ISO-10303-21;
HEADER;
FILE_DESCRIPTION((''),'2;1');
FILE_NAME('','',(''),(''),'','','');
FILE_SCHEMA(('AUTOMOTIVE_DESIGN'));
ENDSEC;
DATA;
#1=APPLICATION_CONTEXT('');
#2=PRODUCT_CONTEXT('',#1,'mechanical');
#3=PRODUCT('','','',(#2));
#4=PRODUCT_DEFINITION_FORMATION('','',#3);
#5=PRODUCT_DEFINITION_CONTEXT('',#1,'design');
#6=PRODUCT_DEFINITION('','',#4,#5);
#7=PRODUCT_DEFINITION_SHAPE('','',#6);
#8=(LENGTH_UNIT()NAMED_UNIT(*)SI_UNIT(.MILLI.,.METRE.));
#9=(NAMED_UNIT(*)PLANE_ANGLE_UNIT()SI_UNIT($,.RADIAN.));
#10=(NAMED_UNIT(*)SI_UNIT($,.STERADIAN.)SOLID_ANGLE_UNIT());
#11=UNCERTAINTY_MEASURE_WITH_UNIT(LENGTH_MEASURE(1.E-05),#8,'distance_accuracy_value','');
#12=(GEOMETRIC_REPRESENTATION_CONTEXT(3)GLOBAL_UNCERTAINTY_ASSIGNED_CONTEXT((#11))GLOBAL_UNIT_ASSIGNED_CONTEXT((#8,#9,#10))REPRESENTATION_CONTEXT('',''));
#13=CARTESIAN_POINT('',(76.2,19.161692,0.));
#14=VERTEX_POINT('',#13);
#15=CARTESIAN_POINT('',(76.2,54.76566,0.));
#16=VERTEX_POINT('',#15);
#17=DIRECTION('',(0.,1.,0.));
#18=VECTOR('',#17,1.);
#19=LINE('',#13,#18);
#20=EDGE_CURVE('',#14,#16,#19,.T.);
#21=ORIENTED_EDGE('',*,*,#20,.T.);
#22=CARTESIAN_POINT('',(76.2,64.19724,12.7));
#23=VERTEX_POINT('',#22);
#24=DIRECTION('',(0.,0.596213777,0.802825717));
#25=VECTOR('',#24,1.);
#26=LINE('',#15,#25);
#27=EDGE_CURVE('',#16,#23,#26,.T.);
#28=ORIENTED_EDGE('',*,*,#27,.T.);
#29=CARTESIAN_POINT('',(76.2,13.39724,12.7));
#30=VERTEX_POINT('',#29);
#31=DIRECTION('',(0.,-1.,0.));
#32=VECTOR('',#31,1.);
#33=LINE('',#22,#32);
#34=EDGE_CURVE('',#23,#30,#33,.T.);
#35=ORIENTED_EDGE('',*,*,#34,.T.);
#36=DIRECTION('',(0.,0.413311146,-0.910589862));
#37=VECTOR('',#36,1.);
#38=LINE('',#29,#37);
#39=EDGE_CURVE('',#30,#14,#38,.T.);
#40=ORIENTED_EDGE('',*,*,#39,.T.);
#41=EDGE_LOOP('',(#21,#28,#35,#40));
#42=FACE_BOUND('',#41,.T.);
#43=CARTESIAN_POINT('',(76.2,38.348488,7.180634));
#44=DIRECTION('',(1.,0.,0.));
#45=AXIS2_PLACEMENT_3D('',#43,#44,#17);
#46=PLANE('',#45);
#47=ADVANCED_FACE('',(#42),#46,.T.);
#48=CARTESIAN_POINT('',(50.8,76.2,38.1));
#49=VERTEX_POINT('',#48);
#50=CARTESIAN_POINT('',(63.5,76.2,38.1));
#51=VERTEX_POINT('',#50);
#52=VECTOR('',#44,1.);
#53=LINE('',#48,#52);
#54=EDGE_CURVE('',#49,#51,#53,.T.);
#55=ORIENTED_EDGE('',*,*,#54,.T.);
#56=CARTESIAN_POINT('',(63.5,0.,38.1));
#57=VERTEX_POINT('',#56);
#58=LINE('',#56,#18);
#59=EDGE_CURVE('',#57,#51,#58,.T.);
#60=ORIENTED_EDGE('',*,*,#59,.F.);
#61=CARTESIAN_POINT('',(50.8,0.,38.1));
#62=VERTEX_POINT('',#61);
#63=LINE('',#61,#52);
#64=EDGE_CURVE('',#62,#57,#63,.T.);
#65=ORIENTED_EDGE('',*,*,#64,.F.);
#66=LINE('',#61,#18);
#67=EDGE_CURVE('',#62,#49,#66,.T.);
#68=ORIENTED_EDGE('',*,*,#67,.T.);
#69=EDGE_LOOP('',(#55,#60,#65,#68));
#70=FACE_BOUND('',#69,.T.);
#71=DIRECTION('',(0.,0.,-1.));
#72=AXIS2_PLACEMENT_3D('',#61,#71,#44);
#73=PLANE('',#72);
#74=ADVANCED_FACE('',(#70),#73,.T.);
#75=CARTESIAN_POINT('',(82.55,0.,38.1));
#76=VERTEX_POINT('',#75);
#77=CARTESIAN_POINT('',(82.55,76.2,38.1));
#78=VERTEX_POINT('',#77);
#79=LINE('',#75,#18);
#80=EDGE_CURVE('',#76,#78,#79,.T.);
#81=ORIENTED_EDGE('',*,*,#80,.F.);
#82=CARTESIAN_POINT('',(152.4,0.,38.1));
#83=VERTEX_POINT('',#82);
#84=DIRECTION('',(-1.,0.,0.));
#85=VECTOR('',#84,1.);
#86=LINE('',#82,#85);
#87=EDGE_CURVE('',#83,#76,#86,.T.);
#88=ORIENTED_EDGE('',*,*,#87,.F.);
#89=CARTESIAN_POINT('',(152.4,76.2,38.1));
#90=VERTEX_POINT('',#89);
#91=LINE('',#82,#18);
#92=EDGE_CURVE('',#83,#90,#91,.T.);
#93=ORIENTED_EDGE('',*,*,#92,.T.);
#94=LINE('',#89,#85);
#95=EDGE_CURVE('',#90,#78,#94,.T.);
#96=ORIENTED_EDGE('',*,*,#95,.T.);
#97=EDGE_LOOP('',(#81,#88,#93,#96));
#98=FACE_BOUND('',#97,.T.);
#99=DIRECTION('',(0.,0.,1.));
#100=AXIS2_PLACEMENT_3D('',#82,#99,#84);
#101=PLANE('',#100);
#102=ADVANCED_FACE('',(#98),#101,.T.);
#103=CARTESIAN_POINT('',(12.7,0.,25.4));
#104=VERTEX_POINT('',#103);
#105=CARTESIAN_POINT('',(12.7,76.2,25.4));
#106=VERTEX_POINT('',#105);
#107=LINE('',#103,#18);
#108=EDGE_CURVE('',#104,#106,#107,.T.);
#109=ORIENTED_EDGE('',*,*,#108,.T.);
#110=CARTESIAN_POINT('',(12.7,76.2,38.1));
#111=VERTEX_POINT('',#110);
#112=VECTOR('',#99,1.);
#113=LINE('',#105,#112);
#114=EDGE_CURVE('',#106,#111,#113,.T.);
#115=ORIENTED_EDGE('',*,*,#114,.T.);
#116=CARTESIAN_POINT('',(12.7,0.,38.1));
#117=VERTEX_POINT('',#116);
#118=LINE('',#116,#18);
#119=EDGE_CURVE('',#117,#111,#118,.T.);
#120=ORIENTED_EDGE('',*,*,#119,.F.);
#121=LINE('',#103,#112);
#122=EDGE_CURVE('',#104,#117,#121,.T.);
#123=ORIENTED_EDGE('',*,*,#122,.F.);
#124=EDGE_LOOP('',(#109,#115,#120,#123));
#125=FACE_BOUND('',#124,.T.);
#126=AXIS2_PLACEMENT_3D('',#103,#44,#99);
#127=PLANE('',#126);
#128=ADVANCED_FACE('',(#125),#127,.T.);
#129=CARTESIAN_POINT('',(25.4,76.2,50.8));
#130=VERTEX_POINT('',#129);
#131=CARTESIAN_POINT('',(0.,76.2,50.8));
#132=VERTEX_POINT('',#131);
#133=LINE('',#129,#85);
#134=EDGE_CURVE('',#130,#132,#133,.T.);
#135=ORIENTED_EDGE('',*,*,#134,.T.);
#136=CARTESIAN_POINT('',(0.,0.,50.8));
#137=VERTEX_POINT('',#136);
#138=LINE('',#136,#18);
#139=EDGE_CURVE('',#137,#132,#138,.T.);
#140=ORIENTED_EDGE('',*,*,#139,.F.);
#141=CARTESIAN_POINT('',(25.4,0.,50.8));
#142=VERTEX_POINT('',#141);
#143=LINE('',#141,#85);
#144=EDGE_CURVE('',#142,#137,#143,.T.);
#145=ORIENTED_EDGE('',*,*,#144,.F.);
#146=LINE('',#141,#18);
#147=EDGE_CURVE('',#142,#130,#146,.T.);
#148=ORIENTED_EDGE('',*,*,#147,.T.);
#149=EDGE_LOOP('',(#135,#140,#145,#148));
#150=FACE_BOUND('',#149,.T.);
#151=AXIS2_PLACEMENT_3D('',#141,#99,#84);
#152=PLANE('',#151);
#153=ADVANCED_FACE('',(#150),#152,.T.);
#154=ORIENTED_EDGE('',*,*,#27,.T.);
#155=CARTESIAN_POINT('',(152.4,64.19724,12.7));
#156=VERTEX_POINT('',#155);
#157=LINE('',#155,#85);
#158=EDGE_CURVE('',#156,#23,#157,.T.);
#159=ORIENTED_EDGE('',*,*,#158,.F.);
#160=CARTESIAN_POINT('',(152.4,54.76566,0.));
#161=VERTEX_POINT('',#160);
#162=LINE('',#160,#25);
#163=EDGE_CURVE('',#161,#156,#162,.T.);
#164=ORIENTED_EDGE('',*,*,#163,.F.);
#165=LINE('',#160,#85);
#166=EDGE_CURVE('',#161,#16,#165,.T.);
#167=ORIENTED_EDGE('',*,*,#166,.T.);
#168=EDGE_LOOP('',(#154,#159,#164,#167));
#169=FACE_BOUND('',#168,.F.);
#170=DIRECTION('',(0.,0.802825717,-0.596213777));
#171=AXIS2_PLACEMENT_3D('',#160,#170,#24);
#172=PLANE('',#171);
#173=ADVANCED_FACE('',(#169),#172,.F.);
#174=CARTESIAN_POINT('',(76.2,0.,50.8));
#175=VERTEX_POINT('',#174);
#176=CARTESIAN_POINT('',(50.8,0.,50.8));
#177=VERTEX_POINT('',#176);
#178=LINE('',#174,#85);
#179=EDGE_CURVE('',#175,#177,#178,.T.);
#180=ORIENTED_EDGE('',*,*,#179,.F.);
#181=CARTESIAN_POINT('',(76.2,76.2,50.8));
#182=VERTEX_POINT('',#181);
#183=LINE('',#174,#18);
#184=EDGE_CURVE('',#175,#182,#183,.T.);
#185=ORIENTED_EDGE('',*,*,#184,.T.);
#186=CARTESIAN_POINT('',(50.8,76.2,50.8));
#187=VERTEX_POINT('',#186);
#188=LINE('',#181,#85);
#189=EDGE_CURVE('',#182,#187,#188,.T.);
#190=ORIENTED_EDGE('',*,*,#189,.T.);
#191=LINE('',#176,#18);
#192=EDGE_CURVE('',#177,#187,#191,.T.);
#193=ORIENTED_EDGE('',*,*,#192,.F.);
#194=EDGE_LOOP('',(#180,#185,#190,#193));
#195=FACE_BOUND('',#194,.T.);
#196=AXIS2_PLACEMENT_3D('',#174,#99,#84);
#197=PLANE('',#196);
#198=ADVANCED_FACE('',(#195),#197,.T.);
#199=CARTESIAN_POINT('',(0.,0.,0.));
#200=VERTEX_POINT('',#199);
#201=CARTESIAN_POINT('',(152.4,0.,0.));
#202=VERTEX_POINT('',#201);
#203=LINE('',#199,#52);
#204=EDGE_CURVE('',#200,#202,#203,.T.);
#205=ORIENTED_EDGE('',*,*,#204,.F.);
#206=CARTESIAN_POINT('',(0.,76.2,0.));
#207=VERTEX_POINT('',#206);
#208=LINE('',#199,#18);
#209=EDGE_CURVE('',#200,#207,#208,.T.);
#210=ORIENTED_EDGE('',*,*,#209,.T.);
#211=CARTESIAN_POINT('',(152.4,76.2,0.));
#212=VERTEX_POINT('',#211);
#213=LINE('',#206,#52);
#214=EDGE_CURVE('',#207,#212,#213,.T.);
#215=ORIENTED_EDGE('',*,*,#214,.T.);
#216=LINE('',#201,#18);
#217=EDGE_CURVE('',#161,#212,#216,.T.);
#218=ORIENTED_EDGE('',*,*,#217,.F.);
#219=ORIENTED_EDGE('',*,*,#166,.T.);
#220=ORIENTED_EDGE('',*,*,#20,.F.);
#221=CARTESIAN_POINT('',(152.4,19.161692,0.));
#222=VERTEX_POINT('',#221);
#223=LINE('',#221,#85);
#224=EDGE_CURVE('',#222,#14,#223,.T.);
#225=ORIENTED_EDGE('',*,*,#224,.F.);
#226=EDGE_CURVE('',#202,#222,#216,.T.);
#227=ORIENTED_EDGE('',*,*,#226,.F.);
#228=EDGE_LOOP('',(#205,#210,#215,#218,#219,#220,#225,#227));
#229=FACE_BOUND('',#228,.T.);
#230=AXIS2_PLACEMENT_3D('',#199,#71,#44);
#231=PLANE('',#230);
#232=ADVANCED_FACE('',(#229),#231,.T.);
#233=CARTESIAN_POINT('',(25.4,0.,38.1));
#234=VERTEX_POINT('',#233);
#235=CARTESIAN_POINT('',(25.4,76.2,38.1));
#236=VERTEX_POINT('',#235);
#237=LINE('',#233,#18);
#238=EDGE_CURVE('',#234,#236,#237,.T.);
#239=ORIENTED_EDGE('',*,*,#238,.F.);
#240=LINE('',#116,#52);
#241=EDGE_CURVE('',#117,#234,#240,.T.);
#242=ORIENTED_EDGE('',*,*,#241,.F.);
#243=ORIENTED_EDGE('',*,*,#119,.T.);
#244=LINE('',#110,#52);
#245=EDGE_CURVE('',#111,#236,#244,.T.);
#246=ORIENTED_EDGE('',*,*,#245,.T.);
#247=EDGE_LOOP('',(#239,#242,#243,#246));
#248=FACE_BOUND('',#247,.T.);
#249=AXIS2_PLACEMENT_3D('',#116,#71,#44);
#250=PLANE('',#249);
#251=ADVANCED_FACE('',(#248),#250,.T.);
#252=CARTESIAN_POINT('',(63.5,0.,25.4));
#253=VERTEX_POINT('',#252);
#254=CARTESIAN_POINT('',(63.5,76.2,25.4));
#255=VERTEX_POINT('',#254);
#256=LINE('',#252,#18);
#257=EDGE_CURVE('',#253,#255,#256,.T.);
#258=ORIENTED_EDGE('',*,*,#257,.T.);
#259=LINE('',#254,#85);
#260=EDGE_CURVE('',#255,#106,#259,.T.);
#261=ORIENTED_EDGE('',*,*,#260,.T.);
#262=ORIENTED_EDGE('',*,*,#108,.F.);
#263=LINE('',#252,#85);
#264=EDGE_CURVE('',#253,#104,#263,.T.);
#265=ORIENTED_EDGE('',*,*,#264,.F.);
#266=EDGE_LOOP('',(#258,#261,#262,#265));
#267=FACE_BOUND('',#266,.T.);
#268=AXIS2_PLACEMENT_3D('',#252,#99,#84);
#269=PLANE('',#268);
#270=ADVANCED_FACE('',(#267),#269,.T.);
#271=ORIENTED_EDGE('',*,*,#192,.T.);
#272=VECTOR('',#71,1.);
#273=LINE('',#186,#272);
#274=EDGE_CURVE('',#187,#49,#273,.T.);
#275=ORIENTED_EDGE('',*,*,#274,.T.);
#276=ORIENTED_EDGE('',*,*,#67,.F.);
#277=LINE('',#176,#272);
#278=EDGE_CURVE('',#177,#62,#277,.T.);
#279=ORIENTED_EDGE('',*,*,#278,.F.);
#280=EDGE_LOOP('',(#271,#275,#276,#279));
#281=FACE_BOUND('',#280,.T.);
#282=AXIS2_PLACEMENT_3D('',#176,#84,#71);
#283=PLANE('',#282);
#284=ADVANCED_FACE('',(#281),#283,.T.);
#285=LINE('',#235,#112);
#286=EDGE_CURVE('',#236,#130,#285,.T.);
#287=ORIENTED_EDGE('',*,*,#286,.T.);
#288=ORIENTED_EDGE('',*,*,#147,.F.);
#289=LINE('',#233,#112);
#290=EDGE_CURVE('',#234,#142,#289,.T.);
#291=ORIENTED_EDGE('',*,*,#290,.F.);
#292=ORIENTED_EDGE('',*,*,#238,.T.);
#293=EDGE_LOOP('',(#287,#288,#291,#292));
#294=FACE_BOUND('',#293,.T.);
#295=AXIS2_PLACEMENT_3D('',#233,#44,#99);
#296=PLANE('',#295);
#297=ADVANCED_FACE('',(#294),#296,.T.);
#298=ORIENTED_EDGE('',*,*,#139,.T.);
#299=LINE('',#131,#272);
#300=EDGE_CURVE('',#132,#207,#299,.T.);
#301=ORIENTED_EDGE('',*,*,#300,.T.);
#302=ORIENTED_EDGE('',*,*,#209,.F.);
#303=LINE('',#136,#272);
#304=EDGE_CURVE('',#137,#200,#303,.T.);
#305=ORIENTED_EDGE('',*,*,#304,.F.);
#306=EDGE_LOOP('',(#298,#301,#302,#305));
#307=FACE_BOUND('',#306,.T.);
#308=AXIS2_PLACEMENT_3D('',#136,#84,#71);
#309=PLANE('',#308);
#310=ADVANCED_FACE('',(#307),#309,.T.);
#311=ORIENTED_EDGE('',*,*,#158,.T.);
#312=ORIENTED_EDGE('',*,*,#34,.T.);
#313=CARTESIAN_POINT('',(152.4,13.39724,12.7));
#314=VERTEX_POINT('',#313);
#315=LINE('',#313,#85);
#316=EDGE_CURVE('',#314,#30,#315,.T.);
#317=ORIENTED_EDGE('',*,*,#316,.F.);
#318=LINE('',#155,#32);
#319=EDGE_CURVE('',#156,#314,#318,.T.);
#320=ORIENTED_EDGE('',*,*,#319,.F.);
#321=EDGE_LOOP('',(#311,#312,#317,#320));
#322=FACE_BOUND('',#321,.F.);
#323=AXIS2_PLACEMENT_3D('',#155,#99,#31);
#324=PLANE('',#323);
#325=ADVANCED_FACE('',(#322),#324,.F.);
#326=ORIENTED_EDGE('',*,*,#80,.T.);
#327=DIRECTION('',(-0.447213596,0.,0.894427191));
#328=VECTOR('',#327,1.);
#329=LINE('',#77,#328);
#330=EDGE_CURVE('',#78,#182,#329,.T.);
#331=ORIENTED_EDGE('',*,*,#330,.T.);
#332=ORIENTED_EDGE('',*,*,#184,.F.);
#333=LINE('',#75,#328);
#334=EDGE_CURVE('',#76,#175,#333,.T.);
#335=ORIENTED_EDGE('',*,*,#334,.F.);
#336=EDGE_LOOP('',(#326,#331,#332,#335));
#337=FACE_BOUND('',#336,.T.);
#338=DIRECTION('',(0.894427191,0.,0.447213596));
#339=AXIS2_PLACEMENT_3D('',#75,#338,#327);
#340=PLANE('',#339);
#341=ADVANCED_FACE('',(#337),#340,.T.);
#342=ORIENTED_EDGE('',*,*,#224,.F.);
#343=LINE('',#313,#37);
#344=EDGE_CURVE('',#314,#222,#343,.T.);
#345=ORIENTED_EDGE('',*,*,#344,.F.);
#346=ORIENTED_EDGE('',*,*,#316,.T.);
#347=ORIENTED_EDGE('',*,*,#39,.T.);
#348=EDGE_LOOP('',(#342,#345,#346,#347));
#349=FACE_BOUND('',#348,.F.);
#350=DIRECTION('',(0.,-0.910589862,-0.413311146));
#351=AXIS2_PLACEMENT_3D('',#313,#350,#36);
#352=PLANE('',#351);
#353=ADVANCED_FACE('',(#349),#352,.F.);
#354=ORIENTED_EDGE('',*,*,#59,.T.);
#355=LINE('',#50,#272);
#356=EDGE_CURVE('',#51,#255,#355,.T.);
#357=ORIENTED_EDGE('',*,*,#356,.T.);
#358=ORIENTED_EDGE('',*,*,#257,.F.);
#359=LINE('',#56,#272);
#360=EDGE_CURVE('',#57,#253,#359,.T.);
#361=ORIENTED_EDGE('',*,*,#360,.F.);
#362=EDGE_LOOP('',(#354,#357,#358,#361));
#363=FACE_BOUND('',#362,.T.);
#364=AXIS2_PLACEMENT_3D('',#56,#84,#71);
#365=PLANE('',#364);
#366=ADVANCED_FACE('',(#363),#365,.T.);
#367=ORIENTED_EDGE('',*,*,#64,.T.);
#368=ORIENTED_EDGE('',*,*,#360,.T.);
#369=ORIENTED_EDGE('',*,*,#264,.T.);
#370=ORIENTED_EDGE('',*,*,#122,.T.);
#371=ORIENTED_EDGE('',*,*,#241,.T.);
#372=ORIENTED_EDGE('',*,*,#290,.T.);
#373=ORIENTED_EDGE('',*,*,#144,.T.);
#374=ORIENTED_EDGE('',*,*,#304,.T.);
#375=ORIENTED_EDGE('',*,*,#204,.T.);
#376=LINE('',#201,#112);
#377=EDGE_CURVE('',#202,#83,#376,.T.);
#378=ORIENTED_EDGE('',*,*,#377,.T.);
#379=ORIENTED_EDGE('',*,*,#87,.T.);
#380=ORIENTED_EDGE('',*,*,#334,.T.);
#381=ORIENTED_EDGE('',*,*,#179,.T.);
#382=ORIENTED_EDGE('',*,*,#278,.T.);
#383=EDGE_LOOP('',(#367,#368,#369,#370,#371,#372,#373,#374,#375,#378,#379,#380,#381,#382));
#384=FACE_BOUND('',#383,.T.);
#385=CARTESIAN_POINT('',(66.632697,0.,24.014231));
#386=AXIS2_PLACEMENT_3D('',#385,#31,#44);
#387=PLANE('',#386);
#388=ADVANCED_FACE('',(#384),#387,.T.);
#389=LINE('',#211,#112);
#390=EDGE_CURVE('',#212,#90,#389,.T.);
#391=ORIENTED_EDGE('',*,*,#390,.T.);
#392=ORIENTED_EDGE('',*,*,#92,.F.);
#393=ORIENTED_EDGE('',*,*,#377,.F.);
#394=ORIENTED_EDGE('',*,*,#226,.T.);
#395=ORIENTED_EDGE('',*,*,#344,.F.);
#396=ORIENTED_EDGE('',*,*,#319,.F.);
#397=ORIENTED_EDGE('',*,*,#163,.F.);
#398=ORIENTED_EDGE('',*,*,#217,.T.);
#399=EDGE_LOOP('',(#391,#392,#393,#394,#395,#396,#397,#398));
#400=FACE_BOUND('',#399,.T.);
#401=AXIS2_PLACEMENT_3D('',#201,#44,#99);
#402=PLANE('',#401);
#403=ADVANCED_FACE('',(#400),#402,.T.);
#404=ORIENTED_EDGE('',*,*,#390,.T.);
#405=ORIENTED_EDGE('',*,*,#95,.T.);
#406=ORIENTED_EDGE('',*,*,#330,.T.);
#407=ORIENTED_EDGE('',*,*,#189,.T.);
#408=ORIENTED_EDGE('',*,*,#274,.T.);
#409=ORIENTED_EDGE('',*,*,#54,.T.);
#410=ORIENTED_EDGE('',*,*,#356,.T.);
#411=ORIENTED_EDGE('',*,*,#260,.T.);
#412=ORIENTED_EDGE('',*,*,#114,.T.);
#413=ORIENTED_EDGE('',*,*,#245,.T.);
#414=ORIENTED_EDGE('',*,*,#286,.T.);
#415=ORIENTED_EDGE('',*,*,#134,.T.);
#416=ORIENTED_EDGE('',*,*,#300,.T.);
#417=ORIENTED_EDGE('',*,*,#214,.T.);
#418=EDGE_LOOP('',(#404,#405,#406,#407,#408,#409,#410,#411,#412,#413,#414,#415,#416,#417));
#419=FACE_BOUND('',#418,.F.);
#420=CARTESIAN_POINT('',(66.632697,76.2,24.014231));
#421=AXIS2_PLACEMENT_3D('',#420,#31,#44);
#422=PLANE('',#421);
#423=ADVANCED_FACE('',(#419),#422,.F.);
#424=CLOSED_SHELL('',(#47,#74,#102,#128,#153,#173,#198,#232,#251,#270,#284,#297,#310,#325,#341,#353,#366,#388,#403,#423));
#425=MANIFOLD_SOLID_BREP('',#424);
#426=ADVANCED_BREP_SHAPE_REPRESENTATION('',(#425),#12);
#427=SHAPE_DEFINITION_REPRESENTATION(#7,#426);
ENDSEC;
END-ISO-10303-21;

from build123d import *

# Parameters (mm, degrees)
F1_DEPTH = 76.2
F3_DEPTH = 76.2


with BuildPart() as f1:
    # F0 (on Front) → F1 (new body)
    with BuildSketch(Plane.XZ):
        Polygon((0, 50.8), (0, 0), (152.4, 0), (152.4, 38.1), (82.55, 38.1), (76.2, 50.8), (50.8, 50.8), (50.8, 38.1), (63.5, 38.1), (63.5, 25.4), (12.7, 25.4), (12.7, 38.1), (25.4, 38.1), (25.4, 50.8), align=None)
    extrude(amount=-F1_DEPTH)

    # F2 (on face) → F3 (cut)
    with BuildSketch(Plane.YZ.offset(152.4)):
        Polygon((13.39724, 12.7), (19.161692, 0), (54.76566, 0), (64.19724, 12.7), align=None)
    extrude(amount=-F3_DEPTH, mode=Mode.SUBTRACT)


solid = f1.part
